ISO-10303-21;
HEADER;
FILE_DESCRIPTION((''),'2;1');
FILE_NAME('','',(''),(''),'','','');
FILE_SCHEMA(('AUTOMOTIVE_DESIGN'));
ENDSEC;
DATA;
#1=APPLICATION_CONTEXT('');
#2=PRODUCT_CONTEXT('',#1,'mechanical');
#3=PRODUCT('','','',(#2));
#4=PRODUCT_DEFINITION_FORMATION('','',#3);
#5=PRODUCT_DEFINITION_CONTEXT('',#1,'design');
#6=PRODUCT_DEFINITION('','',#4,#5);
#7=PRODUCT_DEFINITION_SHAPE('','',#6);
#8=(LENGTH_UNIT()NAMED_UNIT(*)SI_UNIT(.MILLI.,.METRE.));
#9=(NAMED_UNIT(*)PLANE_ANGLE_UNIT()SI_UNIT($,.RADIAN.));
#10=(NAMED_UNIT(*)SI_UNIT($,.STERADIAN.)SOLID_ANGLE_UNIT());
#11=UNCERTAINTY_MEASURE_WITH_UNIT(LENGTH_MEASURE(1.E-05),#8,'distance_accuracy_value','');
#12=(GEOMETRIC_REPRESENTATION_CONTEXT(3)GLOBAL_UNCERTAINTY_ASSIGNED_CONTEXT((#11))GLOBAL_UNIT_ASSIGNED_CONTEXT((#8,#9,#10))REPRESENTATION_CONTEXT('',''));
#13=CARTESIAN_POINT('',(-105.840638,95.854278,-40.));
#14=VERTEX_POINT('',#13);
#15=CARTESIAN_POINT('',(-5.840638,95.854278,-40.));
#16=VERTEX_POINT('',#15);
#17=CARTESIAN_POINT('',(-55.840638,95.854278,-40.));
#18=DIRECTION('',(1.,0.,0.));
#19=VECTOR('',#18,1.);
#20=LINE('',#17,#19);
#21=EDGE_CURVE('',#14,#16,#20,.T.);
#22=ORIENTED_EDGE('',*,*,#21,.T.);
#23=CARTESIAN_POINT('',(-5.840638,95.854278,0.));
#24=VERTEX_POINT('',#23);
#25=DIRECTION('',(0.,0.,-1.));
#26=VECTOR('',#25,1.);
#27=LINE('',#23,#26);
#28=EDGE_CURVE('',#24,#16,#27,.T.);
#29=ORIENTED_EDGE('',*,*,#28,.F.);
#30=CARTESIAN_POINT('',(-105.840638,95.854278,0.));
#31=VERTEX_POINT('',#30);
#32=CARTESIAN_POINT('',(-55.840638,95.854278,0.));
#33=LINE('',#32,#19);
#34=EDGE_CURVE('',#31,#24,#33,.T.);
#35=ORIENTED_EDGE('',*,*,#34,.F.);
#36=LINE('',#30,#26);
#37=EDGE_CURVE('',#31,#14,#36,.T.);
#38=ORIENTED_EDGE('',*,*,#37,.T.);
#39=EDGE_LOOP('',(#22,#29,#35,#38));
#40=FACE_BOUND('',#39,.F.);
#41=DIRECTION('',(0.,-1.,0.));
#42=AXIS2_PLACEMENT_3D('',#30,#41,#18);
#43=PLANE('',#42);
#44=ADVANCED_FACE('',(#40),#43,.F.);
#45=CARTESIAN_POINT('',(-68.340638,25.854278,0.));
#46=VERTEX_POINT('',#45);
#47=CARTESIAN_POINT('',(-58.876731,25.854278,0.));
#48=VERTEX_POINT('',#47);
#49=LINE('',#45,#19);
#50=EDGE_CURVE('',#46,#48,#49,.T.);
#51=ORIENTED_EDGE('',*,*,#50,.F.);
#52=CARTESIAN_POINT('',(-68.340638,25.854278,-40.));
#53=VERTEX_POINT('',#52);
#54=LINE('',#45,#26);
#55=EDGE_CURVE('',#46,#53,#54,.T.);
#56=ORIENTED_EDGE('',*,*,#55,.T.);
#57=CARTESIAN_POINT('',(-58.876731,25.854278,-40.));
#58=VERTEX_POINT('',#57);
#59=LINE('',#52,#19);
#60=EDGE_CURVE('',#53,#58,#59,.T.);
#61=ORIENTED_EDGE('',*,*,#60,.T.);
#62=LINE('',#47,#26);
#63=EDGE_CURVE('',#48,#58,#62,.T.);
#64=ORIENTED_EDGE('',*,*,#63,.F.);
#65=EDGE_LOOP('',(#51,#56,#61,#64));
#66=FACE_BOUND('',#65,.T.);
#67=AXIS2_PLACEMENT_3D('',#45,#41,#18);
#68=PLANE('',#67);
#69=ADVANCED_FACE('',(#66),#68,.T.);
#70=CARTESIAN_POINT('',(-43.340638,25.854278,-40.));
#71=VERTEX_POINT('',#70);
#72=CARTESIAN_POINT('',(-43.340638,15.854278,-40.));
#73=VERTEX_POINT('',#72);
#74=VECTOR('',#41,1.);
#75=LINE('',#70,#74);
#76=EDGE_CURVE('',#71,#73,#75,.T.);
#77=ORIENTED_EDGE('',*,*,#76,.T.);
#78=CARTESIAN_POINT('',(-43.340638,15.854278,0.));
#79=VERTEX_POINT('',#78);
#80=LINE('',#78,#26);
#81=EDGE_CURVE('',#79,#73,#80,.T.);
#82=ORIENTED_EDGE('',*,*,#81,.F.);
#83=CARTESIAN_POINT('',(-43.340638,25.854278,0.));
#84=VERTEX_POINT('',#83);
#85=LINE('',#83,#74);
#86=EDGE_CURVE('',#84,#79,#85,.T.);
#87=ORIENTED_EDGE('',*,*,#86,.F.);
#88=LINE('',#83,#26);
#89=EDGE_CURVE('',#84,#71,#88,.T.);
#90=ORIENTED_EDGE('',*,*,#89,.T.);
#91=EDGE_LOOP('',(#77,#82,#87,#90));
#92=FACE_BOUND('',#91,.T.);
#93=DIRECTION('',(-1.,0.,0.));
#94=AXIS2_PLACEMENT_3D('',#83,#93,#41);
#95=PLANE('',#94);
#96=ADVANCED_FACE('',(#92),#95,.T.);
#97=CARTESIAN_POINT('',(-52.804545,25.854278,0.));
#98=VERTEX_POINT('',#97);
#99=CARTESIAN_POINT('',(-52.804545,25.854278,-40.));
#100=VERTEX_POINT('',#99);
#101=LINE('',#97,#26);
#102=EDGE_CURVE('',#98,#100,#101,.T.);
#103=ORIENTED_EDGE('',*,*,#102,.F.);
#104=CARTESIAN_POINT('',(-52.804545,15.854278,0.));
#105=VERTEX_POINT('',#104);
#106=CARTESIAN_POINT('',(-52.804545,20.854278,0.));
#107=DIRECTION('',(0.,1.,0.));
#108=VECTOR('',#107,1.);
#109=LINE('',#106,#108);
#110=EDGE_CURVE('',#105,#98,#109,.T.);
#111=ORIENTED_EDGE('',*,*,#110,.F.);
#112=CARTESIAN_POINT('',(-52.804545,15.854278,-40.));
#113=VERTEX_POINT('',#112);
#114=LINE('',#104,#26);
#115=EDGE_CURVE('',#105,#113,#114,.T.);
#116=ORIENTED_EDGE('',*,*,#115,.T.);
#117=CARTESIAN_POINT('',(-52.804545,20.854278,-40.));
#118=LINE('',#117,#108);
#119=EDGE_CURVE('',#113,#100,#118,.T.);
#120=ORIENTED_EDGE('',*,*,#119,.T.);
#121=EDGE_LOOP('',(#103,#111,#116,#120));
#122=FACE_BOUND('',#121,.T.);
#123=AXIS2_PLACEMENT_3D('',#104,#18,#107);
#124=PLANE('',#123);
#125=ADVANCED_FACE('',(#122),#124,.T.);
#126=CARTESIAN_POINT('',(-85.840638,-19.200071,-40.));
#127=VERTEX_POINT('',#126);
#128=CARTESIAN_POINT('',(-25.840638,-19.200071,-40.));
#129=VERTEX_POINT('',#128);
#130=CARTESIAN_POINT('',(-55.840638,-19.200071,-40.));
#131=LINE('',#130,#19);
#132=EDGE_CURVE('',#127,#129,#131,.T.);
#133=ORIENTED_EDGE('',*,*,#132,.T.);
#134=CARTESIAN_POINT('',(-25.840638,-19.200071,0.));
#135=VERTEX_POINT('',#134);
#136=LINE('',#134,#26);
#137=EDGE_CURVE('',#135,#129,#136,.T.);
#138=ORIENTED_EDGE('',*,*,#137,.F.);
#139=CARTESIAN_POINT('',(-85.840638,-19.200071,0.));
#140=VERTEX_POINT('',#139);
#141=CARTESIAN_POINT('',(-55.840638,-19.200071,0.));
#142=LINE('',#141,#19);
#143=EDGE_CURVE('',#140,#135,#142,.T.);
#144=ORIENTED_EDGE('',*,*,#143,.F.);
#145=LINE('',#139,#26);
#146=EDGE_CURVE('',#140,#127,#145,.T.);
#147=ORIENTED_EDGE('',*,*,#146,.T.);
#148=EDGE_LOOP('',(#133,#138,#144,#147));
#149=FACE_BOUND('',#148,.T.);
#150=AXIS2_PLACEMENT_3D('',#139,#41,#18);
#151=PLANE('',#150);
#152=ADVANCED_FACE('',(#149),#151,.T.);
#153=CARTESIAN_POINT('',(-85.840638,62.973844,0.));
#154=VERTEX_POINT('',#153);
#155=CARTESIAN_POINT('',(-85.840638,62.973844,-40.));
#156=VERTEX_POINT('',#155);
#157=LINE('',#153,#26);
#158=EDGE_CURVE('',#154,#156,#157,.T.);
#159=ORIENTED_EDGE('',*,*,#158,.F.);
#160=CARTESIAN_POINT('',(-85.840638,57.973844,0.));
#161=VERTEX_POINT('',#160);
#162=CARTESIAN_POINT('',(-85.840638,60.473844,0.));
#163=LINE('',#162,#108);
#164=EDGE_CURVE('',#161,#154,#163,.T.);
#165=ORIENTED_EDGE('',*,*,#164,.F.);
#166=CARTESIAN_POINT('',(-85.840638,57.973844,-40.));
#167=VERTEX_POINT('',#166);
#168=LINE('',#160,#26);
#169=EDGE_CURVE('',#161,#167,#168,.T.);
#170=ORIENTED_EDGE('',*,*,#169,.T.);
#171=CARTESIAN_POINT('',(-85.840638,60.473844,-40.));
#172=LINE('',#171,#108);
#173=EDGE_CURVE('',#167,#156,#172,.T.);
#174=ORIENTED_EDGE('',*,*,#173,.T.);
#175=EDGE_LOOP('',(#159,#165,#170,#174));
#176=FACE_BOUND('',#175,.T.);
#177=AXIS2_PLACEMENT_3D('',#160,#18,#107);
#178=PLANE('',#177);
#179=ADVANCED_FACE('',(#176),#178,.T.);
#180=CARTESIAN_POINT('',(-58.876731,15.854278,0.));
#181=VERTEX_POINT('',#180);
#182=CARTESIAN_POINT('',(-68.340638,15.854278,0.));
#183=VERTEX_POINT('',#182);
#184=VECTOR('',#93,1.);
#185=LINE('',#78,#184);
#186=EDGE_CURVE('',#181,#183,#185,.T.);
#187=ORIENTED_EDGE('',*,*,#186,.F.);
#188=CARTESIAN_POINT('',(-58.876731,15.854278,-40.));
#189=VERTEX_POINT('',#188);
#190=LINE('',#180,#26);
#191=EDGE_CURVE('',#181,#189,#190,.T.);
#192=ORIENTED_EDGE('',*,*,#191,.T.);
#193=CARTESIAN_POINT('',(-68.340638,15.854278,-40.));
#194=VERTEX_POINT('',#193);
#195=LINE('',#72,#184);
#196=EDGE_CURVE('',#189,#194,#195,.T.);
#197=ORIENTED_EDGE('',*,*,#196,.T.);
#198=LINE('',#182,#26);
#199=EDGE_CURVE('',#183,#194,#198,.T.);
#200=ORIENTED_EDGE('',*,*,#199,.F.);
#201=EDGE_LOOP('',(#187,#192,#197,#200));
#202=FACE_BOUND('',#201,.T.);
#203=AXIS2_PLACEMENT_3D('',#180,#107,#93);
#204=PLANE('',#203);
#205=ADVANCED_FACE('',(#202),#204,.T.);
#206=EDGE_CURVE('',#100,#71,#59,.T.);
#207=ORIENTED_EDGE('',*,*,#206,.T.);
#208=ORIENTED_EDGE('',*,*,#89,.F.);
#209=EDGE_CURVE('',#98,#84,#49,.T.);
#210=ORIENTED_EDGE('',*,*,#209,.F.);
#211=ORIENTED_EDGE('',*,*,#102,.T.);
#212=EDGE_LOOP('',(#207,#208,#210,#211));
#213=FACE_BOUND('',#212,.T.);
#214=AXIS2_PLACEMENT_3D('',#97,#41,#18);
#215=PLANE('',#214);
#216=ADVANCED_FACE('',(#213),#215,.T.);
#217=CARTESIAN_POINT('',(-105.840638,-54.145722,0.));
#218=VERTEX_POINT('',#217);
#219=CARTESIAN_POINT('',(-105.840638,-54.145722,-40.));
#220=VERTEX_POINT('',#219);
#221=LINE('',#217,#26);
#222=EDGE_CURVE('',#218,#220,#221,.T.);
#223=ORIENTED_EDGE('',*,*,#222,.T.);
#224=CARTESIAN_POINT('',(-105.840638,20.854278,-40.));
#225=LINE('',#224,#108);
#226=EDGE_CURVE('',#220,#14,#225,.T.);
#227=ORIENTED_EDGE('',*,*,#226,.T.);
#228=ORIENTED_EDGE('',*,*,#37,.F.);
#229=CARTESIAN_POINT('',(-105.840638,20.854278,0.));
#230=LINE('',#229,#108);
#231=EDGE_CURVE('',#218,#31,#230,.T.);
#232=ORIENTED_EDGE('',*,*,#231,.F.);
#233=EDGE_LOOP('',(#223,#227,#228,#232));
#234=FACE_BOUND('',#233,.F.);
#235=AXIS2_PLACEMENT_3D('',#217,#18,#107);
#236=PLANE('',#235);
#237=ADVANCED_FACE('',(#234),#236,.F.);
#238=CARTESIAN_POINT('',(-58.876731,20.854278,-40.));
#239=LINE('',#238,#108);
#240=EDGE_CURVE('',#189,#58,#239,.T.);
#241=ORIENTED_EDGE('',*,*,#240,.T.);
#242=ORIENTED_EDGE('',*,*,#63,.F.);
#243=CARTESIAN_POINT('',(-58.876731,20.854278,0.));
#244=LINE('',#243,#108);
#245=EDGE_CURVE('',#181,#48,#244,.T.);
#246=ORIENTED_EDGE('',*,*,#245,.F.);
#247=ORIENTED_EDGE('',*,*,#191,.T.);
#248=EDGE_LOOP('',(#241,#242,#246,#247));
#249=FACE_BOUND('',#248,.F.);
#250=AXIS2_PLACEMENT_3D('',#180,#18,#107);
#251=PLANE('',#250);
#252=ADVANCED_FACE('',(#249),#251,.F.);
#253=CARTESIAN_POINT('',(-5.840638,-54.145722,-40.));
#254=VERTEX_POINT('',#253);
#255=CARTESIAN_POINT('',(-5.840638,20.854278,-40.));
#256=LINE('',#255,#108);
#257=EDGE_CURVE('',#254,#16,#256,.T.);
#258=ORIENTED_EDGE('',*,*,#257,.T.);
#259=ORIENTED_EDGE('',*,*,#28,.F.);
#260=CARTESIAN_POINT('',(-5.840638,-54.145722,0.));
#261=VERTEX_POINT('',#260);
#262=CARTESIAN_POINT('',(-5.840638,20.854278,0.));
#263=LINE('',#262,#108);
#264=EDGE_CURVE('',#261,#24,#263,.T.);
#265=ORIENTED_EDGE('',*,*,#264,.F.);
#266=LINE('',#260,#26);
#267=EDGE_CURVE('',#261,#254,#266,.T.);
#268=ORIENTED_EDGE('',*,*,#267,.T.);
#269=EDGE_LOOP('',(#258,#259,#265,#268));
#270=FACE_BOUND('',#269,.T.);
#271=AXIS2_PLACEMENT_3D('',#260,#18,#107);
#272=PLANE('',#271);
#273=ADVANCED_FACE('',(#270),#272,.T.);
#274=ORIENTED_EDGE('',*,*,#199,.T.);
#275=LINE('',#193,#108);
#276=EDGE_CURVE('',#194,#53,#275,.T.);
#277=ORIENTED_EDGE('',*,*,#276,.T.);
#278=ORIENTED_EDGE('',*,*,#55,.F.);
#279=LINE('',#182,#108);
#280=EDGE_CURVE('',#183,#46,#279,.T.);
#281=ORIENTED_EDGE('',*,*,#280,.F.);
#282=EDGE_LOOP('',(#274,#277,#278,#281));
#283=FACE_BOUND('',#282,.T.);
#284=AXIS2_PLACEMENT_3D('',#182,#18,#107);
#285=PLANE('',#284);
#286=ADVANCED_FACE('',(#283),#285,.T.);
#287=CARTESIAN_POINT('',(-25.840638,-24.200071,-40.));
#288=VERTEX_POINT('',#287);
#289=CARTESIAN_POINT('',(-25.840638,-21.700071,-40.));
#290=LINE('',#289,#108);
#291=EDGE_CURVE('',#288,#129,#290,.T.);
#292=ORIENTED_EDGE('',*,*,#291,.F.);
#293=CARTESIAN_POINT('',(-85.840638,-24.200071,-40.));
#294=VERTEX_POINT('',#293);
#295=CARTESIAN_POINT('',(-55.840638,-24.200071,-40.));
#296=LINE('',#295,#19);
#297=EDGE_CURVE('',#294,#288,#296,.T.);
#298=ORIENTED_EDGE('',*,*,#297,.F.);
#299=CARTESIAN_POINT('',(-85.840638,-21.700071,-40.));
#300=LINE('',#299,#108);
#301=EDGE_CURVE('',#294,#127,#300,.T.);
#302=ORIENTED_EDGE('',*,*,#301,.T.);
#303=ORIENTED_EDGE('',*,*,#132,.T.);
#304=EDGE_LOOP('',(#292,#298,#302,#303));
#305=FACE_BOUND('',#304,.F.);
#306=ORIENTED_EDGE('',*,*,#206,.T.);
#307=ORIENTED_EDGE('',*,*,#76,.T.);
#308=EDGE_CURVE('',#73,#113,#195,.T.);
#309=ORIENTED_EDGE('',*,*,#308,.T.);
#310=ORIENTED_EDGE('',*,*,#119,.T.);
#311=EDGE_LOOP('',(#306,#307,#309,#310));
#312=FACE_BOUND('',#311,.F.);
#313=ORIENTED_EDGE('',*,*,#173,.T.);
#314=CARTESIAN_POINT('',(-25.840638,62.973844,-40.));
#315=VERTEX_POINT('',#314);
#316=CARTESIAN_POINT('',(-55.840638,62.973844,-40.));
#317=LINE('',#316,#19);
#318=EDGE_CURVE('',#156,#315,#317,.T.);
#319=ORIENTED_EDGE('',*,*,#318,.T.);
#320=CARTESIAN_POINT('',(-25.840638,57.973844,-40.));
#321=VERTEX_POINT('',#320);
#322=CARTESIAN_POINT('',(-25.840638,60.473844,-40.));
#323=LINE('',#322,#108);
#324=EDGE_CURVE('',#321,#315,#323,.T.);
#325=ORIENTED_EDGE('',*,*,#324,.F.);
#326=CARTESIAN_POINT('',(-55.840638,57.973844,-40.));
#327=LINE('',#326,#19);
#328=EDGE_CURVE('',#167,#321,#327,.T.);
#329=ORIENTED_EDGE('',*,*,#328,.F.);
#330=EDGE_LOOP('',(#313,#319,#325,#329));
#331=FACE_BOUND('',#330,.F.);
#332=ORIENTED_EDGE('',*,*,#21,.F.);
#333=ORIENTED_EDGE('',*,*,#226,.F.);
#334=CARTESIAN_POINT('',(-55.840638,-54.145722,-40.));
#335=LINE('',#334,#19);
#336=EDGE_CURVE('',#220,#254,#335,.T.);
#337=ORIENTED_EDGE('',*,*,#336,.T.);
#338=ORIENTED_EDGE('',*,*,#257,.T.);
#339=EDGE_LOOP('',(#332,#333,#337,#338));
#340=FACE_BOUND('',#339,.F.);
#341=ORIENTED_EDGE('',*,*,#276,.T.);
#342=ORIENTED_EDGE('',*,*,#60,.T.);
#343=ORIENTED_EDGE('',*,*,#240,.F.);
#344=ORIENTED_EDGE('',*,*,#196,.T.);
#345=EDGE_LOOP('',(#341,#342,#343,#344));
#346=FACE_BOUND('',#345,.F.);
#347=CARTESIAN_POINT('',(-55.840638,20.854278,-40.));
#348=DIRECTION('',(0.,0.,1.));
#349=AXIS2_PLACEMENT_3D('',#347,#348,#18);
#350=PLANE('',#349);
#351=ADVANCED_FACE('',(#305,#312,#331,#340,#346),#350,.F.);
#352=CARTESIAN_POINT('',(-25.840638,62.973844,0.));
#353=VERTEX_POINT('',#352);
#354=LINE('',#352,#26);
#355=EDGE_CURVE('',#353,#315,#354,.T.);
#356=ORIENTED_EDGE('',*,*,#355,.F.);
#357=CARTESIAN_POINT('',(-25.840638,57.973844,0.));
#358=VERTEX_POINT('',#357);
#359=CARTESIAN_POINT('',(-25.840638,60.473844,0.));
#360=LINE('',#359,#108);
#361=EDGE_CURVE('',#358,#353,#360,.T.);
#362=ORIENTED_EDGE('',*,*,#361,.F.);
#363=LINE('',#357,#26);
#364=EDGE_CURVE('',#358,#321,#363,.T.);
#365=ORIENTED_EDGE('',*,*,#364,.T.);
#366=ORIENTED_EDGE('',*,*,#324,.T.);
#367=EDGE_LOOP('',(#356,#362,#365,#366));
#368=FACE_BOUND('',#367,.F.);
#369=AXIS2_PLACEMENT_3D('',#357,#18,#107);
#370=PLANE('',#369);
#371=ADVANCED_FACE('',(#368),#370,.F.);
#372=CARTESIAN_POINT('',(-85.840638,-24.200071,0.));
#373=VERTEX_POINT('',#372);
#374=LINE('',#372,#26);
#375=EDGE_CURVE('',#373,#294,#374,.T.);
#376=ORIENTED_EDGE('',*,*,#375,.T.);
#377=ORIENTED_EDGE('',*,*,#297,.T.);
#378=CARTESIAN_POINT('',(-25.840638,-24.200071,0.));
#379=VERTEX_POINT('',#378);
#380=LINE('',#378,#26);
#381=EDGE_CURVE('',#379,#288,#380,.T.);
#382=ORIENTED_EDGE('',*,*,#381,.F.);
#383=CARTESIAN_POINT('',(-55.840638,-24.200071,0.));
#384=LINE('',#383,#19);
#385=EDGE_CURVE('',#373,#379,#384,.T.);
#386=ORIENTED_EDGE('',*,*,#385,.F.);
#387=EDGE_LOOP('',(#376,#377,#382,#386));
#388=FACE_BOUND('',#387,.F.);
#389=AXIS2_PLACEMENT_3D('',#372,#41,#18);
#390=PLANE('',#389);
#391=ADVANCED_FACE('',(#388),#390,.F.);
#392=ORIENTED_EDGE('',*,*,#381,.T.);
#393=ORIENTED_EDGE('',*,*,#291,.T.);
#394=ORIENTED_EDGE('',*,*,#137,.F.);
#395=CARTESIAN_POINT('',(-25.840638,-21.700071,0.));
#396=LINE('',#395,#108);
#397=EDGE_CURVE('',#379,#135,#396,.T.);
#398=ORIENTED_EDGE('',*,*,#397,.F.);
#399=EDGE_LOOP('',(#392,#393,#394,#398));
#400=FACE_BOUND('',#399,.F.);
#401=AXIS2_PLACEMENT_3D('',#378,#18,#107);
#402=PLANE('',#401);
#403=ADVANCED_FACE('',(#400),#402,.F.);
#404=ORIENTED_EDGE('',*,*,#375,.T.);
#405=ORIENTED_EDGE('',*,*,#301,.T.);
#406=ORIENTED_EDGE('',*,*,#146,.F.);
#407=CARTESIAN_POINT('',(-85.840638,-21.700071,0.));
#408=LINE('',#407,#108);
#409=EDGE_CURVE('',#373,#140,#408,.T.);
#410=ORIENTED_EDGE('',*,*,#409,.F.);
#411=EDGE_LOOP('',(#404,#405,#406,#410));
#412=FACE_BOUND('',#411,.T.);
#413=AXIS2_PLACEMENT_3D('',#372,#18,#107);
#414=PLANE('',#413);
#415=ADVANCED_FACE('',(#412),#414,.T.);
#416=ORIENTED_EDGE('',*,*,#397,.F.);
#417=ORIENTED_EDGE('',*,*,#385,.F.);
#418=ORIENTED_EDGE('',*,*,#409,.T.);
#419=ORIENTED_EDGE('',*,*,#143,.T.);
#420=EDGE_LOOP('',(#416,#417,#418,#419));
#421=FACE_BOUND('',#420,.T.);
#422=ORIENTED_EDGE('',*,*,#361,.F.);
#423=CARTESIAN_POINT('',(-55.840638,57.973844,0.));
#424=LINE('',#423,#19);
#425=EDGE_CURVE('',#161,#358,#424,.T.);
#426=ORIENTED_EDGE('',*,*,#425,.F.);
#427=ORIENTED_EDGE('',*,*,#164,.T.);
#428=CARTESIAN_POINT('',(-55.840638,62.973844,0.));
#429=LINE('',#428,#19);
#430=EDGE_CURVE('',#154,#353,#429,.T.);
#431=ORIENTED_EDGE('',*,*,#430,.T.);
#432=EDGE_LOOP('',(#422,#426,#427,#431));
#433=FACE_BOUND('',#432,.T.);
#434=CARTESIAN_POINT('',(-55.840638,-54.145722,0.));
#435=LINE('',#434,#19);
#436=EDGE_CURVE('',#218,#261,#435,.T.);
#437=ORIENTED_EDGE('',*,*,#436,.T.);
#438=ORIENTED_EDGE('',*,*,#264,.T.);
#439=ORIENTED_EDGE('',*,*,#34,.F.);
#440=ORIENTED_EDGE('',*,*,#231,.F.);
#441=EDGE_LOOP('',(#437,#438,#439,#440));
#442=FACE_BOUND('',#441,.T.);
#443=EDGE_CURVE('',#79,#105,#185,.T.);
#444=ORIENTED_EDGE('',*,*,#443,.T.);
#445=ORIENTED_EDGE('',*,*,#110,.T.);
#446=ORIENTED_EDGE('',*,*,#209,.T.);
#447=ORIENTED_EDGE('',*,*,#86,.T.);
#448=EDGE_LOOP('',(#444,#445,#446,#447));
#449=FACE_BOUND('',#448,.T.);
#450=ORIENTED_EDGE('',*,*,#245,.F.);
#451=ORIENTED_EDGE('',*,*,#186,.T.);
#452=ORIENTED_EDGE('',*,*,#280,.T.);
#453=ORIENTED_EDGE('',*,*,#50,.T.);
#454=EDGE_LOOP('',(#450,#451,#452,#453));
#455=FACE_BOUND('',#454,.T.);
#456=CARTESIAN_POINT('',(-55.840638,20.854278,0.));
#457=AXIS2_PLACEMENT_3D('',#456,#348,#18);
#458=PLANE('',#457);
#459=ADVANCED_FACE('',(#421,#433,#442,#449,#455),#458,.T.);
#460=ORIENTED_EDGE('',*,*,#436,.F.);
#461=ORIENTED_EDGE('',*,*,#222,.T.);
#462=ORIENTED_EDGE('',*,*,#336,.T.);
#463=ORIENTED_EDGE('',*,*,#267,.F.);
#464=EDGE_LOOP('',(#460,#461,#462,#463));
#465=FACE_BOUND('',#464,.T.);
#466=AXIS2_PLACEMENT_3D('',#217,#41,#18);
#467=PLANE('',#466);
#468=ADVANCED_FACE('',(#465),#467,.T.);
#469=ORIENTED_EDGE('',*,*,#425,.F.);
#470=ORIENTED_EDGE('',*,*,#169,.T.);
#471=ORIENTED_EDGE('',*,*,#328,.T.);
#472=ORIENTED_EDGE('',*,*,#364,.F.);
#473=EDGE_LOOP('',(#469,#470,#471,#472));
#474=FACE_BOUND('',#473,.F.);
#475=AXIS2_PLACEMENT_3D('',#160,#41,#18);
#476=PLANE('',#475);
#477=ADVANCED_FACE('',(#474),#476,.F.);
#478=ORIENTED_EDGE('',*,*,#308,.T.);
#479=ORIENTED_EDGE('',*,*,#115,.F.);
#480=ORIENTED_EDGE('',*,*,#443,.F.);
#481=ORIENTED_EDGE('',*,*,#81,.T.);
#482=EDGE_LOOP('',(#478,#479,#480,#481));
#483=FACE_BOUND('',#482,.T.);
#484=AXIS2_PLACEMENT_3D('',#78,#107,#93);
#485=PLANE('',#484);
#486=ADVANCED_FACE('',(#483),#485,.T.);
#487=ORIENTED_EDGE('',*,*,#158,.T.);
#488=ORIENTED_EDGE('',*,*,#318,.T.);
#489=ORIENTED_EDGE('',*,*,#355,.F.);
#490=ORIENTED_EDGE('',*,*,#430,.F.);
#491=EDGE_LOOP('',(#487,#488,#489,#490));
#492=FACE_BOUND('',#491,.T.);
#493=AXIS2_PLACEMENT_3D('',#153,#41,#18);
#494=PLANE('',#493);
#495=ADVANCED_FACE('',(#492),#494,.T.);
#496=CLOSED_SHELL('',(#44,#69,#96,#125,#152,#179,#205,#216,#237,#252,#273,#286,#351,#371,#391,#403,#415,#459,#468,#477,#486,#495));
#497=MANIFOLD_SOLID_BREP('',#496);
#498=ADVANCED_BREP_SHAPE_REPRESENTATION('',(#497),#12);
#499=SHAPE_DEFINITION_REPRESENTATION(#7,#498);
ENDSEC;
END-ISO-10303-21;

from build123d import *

# Parameters (mm, degrees)
F0_W     = 100
F0_H     = 150
F0_W_2   = 60
F0_H_2   = 5
F0_W_3   = 6.072186
F0_H_3   = 10
F1_DEPTH = 40


with BuildPart() as f1:
    # F0 (on Top) → F1 (new body)
    with BuildSketch(Plane.XY):
        with Locations((-55.840638, 20.854278)):
            Rectangle(F0_W, F0_H)
        Polygon((-43.340638, 25.854278), (-43.340638, 15.854278), (-52.804545, 15.854278), (-58.876731, 15.854278), (-68.340638, 15.854278), (-68.340638, 25.854278), (-58.876731, 25.854278), (-52.804545, 25.854278), align=None, mode=Mode.SUBTRACT)
        with Locations((-55.840638, -21.700071)):
            Rectangle(F0_W_2, F0_H_2, mode=Mode.SUBTRACT)
        with Locations((-55.840638, 60.473844)):
            Rectangle(F0_W_2, F0_H_2, mode=Mode.SUBTRACT)
        with Locations((-55.840638, 20.854278)):
            Rectangle(F0_W_3, F0_H_3)
    extrude(amount=-F1_DEPTH)


solid = f1.part
